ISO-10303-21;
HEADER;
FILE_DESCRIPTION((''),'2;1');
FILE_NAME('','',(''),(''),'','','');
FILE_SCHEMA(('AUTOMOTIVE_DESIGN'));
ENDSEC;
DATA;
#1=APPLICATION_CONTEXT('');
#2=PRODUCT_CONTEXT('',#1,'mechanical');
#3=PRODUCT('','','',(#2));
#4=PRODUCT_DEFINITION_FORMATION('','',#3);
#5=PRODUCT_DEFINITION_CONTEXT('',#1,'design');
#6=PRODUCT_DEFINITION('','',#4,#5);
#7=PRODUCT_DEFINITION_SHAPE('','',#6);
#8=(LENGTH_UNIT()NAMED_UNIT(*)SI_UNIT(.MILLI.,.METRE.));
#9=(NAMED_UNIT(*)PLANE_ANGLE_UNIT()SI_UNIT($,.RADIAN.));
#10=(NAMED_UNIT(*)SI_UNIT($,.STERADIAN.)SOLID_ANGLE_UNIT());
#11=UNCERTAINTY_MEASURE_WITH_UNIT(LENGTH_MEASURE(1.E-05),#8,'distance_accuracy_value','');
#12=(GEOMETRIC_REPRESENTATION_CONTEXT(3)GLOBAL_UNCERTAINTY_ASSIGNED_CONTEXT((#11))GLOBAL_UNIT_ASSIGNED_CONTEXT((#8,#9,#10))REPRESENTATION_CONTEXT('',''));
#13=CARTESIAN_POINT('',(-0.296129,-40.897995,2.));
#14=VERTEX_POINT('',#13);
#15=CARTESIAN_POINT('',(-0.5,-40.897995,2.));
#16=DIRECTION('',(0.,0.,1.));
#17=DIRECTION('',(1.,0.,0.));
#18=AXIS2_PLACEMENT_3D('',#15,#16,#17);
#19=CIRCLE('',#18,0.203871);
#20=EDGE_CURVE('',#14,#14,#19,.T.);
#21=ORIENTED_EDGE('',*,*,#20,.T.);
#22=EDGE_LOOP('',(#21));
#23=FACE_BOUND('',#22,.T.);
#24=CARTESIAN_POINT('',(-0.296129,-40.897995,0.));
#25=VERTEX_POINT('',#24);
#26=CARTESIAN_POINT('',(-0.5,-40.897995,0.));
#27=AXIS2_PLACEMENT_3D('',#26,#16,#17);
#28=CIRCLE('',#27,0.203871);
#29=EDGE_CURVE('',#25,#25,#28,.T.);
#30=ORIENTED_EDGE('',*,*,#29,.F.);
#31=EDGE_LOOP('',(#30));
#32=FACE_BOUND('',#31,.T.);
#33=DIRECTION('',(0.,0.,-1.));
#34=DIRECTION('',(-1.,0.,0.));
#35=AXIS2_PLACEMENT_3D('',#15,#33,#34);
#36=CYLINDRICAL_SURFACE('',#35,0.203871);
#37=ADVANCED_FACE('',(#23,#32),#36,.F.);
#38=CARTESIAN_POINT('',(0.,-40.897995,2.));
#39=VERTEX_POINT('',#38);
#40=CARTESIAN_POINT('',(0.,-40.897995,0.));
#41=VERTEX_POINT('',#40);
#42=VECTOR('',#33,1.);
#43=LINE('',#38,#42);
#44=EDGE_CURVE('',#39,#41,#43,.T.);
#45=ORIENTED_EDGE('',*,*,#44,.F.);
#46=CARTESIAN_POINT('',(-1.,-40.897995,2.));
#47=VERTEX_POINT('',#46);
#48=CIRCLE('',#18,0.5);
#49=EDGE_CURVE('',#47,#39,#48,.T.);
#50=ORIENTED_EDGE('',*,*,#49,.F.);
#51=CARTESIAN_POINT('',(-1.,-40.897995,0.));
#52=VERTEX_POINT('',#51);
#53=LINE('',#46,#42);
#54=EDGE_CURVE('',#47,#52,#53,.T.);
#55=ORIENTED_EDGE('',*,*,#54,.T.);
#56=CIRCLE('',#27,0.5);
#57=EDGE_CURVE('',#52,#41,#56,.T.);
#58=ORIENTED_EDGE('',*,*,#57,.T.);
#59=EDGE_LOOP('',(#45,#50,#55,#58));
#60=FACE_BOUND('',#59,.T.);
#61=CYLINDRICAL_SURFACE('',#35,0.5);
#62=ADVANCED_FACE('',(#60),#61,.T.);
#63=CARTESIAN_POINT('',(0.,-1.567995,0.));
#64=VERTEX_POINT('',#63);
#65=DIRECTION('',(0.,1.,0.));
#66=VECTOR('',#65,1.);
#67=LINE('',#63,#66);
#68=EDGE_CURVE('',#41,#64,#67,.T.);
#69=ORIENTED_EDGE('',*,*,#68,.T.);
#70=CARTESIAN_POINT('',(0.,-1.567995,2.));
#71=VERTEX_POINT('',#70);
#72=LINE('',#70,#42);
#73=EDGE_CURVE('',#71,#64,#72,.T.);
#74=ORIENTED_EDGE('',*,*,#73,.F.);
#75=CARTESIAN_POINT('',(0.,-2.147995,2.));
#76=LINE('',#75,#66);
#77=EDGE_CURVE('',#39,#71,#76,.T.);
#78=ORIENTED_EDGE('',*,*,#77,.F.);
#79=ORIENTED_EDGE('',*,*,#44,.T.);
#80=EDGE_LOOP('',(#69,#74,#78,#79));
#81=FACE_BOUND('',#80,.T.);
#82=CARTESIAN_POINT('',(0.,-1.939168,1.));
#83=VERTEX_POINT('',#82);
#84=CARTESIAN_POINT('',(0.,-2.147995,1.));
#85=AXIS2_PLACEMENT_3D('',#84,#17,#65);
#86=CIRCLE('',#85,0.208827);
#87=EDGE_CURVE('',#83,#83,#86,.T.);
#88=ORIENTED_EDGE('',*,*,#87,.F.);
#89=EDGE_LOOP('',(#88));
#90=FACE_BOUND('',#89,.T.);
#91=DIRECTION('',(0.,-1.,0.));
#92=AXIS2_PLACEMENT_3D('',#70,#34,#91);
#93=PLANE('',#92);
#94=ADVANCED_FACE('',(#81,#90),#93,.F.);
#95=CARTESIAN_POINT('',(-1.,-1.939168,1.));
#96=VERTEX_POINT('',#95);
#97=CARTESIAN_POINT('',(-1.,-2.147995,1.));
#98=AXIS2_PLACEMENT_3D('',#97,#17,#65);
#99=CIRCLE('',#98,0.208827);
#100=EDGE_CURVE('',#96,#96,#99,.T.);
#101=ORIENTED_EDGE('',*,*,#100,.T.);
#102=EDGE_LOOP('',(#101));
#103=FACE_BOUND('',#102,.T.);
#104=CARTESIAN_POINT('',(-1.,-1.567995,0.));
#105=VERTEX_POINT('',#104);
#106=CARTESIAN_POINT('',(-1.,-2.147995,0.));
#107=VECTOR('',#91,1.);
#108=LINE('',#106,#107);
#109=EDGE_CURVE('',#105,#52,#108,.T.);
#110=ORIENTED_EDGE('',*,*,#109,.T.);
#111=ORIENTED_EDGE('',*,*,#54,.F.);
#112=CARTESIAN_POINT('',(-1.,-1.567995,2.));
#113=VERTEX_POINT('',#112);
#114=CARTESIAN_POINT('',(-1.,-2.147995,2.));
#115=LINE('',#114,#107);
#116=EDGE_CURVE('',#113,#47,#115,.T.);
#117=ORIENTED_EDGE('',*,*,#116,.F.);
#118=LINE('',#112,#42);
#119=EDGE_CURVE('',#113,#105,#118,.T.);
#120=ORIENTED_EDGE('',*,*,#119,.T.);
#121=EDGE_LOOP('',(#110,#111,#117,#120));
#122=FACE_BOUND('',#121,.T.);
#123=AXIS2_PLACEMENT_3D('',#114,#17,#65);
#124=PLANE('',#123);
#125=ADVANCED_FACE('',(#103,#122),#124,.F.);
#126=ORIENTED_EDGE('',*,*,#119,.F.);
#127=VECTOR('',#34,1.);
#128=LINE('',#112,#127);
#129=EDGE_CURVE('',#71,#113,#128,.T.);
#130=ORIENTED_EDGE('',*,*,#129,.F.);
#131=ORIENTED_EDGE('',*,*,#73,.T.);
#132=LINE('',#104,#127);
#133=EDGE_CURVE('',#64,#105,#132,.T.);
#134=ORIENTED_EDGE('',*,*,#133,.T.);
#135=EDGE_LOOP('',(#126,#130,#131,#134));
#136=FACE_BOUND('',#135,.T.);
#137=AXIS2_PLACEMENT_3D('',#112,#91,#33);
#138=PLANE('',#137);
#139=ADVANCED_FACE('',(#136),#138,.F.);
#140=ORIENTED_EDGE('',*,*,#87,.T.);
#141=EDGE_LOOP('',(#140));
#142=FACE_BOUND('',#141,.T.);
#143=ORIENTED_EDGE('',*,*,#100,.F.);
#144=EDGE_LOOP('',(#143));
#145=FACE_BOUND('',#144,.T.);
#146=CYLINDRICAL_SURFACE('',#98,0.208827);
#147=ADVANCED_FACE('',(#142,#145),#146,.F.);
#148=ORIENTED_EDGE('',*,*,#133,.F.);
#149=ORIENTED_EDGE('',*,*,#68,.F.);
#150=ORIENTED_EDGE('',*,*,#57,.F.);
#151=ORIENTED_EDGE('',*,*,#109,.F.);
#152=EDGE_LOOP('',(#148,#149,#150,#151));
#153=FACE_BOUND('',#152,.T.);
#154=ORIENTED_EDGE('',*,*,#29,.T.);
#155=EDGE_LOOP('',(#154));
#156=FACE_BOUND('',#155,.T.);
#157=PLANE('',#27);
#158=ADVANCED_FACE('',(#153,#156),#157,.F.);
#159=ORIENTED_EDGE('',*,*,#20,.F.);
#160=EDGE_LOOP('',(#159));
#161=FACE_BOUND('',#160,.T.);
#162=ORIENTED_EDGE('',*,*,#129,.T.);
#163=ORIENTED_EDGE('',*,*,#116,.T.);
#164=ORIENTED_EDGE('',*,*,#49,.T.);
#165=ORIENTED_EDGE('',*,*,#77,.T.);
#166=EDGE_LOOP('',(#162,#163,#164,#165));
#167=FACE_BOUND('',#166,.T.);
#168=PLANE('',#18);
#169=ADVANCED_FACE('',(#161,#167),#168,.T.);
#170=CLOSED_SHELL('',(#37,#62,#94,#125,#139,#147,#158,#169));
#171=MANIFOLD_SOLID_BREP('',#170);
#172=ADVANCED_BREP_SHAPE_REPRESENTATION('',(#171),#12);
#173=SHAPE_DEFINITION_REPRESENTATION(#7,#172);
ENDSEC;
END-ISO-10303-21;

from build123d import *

# Parameters (mm, degrees)
SKETCH5_R           = 0.203870929
BOSS_EXTRUDE2_DEPTH = 2
SKETCH7_R           = 0.208826812
CUT_EXTRUDE5_DEPTH  = 2


with BuildPart() as part:
    # Sketch5 → Boss-Extrude2 (new body)
    with BuildSketch(Plane.XY):
        with BuildLine():
            Line((-1, -2.147995304), (-1, -40.897995304))
            ThreePointArc((-1, -40.897995304), (-0.5, -41.397995304), (0, -40.897995304))
            Line((0, -40.897995304), (0, -2.147995304))
            Line((0, -2.147995304), (0, -1.567995304))
            Line((0, -1.567995304), (-1, -1.567995304))
            Line((-1, -1.567995304), (-1, -2.147995304))
        make_face()
        with Locations((-0.5, -40.897995304)):
            Circle(SKETCH5_R, mode=Mode.SUBTRACT)
    extrude(amount=BOSS_EXTRUDE2_DEPTH)

    # Sketch7 → Cut-Extrude5 (cut, through all)
    with BuildSketch(Plane(origin=(0, 0, 0), x_dir=(0, 0, -1), z_dir=(1, 0, 0))):
        with Locations((-1, -2.147995304)):
            Circle(SKETCH7_R)
    extrude(amount=-CUT_EXTRUDE5_DEPTH, mode=Mode.SUBTRACT)


solid = part.part
